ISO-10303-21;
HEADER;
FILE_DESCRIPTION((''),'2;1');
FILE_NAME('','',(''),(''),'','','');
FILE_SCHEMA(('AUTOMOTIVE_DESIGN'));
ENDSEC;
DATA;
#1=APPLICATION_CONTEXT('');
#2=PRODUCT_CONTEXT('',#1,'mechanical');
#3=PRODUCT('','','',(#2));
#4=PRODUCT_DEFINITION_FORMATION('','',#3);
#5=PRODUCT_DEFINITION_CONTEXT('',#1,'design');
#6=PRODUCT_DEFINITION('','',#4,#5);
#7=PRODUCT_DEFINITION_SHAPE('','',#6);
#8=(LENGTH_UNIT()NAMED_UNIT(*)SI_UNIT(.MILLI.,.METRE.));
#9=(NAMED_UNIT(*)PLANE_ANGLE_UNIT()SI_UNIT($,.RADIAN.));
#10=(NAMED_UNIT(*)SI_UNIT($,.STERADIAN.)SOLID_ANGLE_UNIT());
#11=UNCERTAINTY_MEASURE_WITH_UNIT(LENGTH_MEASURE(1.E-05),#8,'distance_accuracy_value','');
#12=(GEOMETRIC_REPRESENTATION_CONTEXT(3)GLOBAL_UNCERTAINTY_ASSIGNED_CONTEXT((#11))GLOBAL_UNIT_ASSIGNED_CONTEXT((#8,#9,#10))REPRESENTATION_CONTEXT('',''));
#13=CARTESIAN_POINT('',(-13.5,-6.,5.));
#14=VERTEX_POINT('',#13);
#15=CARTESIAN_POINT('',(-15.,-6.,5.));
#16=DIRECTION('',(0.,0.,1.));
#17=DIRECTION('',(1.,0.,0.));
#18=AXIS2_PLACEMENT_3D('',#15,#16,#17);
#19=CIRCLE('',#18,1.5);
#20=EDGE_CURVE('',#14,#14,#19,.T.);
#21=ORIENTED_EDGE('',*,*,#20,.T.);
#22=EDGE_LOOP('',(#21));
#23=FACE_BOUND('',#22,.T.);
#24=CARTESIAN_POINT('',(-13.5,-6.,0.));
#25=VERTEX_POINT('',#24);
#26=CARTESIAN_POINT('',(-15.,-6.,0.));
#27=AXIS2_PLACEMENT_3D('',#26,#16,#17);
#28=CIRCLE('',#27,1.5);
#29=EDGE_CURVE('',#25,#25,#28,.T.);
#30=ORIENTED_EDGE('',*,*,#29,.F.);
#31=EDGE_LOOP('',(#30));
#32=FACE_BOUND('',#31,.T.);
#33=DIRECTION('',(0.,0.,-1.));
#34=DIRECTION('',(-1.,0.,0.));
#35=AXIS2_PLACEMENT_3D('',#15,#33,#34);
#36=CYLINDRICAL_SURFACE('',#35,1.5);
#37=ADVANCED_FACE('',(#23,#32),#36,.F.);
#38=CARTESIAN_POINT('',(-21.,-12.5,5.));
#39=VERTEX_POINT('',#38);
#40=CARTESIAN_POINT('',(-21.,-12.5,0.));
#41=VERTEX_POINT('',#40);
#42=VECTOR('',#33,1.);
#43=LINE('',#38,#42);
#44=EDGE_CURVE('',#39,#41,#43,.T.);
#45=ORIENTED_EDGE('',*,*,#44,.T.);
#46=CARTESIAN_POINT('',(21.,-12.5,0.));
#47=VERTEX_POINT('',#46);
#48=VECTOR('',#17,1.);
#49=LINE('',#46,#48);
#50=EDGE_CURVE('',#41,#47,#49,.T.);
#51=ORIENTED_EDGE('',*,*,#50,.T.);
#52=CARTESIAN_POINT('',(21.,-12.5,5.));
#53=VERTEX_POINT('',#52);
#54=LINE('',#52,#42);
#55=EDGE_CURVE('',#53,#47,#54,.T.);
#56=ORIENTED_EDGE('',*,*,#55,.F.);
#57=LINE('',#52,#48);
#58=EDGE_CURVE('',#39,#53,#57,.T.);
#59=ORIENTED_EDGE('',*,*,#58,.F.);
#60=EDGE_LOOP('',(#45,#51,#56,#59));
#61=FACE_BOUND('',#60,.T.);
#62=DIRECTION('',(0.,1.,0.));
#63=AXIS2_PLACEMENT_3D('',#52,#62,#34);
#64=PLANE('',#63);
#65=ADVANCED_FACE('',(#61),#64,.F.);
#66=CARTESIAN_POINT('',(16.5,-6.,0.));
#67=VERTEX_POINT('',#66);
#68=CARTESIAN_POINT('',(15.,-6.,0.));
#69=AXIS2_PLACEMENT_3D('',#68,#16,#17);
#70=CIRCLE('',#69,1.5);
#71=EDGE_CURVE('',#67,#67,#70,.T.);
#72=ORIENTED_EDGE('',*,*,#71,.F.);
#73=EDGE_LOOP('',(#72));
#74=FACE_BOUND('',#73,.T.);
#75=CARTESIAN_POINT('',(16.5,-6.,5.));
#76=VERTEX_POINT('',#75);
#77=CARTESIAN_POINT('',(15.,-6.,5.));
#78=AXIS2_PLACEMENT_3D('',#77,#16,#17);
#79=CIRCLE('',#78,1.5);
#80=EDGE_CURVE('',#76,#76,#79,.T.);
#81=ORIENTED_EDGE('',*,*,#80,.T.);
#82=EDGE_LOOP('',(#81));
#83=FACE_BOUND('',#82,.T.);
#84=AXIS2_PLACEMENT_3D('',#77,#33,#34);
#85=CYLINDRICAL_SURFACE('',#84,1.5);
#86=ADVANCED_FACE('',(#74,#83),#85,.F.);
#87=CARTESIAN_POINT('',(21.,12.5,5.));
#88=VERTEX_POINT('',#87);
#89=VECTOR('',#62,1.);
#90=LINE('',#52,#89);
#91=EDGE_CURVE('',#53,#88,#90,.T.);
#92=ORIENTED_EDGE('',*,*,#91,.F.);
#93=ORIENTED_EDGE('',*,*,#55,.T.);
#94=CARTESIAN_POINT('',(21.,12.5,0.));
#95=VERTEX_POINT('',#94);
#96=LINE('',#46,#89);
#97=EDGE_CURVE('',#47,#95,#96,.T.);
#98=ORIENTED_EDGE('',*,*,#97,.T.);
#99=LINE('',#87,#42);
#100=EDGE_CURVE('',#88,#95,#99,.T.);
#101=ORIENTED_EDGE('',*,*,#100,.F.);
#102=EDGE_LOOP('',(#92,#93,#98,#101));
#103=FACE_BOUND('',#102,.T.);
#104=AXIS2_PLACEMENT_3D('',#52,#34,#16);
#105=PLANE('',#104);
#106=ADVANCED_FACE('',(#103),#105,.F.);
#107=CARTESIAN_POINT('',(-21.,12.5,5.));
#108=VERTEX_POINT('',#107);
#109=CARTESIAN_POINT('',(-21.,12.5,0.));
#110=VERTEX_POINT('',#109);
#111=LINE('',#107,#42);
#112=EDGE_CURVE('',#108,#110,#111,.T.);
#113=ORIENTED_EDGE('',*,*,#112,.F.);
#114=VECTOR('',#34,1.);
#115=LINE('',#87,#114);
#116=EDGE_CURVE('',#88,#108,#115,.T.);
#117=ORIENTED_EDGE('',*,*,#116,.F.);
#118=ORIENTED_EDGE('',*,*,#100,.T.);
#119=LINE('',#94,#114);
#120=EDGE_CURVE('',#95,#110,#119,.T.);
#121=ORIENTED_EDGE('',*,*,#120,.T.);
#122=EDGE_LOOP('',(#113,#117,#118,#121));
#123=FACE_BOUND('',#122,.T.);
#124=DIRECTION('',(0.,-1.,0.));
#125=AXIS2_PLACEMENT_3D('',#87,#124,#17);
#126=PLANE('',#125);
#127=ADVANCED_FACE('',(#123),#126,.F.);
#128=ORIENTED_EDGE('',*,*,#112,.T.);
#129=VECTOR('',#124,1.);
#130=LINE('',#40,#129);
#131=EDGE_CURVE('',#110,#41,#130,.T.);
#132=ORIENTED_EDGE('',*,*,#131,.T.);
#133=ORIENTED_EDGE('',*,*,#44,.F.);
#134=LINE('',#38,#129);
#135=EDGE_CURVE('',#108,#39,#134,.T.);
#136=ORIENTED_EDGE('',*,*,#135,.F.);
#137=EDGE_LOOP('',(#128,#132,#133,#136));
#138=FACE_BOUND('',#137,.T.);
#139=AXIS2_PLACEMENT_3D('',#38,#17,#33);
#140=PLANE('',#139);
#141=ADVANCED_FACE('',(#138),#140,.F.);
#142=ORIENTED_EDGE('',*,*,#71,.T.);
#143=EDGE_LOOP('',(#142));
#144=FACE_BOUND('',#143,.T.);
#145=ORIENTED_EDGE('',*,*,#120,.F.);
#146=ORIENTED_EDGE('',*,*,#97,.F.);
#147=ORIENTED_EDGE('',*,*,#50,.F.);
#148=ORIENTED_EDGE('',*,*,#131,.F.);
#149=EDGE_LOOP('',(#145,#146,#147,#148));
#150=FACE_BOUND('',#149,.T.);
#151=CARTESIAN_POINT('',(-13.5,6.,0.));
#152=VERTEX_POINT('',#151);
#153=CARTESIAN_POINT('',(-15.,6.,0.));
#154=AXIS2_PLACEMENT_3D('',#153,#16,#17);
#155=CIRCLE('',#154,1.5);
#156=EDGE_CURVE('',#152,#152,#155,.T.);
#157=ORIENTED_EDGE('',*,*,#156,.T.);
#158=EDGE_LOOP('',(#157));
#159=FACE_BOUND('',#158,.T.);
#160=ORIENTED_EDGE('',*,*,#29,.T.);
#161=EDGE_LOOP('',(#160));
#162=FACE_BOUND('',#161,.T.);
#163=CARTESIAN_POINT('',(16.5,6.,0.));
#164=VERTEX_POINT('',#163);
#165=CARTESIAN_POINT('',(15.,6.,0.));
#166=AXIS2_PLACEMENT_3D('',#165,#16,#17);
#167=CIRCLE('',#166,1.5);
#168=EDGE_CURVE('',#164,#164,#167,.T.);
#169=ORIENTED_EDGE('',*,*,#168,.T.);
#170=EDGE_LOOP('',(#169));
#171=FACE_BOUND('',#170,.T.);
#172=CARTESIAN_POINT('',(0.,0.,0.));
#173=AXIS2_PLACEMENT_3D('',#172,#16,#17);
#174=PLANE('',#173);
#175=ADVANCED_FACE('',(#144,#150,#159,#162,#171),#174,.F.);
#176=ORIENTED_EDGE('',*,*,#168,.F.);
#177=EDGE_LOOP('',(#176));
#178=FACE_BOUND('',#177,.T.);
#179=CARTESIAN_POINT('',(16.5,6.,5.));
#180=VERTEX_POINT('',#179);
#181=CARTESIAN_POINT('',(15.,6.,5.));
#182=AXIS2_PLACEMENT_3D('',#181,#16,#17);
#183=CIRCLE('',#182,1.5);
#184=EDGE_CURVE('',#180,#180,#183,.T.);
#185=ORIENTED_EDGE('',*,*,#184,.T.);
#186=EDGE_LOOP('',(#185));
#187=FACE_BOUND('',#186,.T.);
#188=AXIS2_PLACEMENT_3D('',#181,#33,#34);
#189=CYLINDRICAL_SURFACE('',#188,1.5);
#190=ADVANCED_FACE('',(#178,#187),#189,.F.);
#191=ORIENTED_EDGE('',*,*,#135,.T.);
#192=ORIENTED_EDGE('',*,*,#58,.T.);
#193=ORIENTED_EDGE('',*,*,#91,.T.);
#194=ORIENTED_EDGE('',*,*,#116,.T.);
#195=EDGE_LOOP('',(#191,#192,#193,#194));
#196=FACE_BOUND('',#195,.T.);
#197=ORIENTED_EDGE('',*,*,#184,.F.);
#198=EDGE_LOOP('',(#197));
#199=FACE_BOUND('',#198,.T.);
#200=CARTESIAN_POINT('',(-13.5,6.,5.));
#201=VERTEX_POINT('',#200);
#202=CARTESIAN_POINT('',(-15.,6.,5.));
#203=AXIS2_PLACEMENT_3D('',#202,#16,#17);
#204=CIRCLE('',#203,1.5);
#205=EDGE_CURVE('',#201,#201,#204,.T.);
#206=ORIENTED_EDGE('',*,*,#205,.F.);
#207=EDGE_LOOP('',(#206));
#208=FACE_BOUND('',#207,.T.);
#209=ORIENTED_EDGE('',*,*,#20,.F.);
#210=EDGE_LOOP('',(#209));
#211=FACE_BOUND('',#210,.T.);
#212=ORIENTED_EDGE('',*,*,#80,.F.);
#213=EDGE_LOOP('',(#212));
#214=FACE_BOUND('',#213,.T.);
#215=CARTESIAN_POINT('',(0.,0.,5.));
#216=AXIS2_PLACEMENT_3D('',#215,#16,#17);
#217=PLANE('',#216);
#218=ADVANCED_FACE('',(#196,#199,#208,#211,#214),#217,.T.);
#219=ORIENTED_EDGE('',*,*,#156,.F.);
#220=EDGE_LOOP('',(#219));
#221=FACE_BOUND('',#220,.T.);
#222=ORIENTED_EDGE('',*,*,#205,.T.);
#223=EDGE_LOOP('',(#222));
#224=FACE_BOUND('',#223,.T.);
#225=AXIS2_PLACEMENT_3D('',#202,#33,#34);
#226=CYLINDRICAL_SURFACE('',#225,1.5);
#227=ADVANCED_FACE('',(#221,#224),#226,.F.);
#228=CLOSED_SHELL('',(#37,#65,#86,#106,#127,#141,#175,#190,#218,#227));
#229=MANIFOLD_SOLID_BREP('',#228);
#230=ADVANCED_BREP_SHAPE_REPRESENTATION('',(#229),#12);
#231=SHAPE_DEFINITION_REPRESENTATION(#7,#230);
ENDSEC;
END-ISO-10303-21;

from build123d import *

# Parameters (mm, degrees)
SKETCH_1_W      = 42
SKETCH_1_H      = 25
SKETCH_1_R      = 1.5
EXTRUDE_1_DEPTH = 5


with BuildPart() as part:
    # 草图1 → 凸台-拉伸1 (new body)
    with BuildSketch(Plane.XY):
        Rectangle(SKETCH_1_W, SKETCH_1_H)
        with Locations((15, 6)):
            Circle(SKETCH_1_R, mode=Mode.SUBTRACT)
        with Locations((15, -6)):
            Circle(SKETCH_1_R, mode=Mode.SUBTRACT)
        with Locations((-15, -6)):
            Circle(SKETCH_1_R, mode=Mode.SUBTRACT)
        with Locations((-15, 6)):
            Circle(SKETCH_1_R, mode=Mode.SUBTRACT)
    extrude(amount=EXTRUDE_1_DEPTH)


solid = part.part
